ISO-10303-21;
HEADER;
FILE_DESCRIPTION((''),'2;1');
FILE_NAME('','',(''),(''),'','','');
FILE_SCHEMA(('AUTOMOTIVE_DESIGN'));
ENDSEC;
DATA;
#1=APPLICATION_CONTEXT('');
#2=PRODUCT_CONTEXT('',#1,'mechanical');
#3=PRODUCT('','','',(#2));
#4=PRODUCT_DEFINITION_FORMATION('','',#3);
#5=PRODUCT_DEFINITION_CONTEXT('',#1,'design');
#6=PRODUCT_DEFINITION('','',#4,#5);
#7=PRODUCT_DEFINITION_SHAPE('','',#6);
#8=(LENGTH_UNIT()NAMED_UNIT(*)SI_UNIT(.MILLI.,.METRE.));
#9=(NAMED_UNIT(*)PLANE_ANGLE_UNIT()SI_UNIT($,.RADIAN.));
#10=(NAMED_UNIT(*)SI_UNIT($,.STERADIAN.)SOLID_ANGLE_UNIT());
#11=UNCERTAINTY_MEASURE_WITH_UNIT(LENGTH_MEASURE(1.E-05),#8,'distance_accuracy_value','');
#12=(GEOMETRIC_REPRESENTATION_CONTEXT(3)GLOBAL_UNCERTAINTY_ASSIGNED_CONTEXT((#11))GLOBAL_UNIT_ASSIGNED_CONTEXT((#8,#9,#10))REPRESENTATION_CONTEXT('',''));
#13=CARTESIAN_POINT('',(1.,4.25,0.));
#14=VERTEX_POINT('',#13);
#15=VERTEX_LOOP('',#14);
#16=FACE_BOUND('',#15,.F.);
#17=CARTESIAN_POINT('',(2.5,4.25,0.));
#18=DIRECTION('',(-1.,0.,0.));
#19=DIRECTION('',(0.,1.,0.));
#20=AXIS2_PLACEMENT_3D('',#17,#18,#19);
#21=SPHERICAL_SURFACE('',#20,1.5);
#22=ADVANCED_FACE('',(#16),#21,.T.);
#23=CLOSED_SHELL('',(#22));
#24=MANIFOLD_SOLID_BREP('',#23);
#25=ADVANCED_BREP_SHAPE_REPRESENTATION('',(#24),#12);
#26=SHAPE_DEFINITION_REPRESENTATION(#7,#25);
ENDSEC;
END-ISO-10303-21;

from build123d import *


with BuildPart() as part:
    # Esquisse1 → Base-Révolution (revolve)
    with BuildSketch(Plane.XY):
        with BuildLine():
            Line((1, 4.25), (4, 4.25))
            ThreePointArc((4, 4.25), (2.5, 5.75), (1, 4.25))
        make_face()
    revolve(axis=Axis((2.5, 4.25, 0), (1, 0, 0)))


solid = part.part
